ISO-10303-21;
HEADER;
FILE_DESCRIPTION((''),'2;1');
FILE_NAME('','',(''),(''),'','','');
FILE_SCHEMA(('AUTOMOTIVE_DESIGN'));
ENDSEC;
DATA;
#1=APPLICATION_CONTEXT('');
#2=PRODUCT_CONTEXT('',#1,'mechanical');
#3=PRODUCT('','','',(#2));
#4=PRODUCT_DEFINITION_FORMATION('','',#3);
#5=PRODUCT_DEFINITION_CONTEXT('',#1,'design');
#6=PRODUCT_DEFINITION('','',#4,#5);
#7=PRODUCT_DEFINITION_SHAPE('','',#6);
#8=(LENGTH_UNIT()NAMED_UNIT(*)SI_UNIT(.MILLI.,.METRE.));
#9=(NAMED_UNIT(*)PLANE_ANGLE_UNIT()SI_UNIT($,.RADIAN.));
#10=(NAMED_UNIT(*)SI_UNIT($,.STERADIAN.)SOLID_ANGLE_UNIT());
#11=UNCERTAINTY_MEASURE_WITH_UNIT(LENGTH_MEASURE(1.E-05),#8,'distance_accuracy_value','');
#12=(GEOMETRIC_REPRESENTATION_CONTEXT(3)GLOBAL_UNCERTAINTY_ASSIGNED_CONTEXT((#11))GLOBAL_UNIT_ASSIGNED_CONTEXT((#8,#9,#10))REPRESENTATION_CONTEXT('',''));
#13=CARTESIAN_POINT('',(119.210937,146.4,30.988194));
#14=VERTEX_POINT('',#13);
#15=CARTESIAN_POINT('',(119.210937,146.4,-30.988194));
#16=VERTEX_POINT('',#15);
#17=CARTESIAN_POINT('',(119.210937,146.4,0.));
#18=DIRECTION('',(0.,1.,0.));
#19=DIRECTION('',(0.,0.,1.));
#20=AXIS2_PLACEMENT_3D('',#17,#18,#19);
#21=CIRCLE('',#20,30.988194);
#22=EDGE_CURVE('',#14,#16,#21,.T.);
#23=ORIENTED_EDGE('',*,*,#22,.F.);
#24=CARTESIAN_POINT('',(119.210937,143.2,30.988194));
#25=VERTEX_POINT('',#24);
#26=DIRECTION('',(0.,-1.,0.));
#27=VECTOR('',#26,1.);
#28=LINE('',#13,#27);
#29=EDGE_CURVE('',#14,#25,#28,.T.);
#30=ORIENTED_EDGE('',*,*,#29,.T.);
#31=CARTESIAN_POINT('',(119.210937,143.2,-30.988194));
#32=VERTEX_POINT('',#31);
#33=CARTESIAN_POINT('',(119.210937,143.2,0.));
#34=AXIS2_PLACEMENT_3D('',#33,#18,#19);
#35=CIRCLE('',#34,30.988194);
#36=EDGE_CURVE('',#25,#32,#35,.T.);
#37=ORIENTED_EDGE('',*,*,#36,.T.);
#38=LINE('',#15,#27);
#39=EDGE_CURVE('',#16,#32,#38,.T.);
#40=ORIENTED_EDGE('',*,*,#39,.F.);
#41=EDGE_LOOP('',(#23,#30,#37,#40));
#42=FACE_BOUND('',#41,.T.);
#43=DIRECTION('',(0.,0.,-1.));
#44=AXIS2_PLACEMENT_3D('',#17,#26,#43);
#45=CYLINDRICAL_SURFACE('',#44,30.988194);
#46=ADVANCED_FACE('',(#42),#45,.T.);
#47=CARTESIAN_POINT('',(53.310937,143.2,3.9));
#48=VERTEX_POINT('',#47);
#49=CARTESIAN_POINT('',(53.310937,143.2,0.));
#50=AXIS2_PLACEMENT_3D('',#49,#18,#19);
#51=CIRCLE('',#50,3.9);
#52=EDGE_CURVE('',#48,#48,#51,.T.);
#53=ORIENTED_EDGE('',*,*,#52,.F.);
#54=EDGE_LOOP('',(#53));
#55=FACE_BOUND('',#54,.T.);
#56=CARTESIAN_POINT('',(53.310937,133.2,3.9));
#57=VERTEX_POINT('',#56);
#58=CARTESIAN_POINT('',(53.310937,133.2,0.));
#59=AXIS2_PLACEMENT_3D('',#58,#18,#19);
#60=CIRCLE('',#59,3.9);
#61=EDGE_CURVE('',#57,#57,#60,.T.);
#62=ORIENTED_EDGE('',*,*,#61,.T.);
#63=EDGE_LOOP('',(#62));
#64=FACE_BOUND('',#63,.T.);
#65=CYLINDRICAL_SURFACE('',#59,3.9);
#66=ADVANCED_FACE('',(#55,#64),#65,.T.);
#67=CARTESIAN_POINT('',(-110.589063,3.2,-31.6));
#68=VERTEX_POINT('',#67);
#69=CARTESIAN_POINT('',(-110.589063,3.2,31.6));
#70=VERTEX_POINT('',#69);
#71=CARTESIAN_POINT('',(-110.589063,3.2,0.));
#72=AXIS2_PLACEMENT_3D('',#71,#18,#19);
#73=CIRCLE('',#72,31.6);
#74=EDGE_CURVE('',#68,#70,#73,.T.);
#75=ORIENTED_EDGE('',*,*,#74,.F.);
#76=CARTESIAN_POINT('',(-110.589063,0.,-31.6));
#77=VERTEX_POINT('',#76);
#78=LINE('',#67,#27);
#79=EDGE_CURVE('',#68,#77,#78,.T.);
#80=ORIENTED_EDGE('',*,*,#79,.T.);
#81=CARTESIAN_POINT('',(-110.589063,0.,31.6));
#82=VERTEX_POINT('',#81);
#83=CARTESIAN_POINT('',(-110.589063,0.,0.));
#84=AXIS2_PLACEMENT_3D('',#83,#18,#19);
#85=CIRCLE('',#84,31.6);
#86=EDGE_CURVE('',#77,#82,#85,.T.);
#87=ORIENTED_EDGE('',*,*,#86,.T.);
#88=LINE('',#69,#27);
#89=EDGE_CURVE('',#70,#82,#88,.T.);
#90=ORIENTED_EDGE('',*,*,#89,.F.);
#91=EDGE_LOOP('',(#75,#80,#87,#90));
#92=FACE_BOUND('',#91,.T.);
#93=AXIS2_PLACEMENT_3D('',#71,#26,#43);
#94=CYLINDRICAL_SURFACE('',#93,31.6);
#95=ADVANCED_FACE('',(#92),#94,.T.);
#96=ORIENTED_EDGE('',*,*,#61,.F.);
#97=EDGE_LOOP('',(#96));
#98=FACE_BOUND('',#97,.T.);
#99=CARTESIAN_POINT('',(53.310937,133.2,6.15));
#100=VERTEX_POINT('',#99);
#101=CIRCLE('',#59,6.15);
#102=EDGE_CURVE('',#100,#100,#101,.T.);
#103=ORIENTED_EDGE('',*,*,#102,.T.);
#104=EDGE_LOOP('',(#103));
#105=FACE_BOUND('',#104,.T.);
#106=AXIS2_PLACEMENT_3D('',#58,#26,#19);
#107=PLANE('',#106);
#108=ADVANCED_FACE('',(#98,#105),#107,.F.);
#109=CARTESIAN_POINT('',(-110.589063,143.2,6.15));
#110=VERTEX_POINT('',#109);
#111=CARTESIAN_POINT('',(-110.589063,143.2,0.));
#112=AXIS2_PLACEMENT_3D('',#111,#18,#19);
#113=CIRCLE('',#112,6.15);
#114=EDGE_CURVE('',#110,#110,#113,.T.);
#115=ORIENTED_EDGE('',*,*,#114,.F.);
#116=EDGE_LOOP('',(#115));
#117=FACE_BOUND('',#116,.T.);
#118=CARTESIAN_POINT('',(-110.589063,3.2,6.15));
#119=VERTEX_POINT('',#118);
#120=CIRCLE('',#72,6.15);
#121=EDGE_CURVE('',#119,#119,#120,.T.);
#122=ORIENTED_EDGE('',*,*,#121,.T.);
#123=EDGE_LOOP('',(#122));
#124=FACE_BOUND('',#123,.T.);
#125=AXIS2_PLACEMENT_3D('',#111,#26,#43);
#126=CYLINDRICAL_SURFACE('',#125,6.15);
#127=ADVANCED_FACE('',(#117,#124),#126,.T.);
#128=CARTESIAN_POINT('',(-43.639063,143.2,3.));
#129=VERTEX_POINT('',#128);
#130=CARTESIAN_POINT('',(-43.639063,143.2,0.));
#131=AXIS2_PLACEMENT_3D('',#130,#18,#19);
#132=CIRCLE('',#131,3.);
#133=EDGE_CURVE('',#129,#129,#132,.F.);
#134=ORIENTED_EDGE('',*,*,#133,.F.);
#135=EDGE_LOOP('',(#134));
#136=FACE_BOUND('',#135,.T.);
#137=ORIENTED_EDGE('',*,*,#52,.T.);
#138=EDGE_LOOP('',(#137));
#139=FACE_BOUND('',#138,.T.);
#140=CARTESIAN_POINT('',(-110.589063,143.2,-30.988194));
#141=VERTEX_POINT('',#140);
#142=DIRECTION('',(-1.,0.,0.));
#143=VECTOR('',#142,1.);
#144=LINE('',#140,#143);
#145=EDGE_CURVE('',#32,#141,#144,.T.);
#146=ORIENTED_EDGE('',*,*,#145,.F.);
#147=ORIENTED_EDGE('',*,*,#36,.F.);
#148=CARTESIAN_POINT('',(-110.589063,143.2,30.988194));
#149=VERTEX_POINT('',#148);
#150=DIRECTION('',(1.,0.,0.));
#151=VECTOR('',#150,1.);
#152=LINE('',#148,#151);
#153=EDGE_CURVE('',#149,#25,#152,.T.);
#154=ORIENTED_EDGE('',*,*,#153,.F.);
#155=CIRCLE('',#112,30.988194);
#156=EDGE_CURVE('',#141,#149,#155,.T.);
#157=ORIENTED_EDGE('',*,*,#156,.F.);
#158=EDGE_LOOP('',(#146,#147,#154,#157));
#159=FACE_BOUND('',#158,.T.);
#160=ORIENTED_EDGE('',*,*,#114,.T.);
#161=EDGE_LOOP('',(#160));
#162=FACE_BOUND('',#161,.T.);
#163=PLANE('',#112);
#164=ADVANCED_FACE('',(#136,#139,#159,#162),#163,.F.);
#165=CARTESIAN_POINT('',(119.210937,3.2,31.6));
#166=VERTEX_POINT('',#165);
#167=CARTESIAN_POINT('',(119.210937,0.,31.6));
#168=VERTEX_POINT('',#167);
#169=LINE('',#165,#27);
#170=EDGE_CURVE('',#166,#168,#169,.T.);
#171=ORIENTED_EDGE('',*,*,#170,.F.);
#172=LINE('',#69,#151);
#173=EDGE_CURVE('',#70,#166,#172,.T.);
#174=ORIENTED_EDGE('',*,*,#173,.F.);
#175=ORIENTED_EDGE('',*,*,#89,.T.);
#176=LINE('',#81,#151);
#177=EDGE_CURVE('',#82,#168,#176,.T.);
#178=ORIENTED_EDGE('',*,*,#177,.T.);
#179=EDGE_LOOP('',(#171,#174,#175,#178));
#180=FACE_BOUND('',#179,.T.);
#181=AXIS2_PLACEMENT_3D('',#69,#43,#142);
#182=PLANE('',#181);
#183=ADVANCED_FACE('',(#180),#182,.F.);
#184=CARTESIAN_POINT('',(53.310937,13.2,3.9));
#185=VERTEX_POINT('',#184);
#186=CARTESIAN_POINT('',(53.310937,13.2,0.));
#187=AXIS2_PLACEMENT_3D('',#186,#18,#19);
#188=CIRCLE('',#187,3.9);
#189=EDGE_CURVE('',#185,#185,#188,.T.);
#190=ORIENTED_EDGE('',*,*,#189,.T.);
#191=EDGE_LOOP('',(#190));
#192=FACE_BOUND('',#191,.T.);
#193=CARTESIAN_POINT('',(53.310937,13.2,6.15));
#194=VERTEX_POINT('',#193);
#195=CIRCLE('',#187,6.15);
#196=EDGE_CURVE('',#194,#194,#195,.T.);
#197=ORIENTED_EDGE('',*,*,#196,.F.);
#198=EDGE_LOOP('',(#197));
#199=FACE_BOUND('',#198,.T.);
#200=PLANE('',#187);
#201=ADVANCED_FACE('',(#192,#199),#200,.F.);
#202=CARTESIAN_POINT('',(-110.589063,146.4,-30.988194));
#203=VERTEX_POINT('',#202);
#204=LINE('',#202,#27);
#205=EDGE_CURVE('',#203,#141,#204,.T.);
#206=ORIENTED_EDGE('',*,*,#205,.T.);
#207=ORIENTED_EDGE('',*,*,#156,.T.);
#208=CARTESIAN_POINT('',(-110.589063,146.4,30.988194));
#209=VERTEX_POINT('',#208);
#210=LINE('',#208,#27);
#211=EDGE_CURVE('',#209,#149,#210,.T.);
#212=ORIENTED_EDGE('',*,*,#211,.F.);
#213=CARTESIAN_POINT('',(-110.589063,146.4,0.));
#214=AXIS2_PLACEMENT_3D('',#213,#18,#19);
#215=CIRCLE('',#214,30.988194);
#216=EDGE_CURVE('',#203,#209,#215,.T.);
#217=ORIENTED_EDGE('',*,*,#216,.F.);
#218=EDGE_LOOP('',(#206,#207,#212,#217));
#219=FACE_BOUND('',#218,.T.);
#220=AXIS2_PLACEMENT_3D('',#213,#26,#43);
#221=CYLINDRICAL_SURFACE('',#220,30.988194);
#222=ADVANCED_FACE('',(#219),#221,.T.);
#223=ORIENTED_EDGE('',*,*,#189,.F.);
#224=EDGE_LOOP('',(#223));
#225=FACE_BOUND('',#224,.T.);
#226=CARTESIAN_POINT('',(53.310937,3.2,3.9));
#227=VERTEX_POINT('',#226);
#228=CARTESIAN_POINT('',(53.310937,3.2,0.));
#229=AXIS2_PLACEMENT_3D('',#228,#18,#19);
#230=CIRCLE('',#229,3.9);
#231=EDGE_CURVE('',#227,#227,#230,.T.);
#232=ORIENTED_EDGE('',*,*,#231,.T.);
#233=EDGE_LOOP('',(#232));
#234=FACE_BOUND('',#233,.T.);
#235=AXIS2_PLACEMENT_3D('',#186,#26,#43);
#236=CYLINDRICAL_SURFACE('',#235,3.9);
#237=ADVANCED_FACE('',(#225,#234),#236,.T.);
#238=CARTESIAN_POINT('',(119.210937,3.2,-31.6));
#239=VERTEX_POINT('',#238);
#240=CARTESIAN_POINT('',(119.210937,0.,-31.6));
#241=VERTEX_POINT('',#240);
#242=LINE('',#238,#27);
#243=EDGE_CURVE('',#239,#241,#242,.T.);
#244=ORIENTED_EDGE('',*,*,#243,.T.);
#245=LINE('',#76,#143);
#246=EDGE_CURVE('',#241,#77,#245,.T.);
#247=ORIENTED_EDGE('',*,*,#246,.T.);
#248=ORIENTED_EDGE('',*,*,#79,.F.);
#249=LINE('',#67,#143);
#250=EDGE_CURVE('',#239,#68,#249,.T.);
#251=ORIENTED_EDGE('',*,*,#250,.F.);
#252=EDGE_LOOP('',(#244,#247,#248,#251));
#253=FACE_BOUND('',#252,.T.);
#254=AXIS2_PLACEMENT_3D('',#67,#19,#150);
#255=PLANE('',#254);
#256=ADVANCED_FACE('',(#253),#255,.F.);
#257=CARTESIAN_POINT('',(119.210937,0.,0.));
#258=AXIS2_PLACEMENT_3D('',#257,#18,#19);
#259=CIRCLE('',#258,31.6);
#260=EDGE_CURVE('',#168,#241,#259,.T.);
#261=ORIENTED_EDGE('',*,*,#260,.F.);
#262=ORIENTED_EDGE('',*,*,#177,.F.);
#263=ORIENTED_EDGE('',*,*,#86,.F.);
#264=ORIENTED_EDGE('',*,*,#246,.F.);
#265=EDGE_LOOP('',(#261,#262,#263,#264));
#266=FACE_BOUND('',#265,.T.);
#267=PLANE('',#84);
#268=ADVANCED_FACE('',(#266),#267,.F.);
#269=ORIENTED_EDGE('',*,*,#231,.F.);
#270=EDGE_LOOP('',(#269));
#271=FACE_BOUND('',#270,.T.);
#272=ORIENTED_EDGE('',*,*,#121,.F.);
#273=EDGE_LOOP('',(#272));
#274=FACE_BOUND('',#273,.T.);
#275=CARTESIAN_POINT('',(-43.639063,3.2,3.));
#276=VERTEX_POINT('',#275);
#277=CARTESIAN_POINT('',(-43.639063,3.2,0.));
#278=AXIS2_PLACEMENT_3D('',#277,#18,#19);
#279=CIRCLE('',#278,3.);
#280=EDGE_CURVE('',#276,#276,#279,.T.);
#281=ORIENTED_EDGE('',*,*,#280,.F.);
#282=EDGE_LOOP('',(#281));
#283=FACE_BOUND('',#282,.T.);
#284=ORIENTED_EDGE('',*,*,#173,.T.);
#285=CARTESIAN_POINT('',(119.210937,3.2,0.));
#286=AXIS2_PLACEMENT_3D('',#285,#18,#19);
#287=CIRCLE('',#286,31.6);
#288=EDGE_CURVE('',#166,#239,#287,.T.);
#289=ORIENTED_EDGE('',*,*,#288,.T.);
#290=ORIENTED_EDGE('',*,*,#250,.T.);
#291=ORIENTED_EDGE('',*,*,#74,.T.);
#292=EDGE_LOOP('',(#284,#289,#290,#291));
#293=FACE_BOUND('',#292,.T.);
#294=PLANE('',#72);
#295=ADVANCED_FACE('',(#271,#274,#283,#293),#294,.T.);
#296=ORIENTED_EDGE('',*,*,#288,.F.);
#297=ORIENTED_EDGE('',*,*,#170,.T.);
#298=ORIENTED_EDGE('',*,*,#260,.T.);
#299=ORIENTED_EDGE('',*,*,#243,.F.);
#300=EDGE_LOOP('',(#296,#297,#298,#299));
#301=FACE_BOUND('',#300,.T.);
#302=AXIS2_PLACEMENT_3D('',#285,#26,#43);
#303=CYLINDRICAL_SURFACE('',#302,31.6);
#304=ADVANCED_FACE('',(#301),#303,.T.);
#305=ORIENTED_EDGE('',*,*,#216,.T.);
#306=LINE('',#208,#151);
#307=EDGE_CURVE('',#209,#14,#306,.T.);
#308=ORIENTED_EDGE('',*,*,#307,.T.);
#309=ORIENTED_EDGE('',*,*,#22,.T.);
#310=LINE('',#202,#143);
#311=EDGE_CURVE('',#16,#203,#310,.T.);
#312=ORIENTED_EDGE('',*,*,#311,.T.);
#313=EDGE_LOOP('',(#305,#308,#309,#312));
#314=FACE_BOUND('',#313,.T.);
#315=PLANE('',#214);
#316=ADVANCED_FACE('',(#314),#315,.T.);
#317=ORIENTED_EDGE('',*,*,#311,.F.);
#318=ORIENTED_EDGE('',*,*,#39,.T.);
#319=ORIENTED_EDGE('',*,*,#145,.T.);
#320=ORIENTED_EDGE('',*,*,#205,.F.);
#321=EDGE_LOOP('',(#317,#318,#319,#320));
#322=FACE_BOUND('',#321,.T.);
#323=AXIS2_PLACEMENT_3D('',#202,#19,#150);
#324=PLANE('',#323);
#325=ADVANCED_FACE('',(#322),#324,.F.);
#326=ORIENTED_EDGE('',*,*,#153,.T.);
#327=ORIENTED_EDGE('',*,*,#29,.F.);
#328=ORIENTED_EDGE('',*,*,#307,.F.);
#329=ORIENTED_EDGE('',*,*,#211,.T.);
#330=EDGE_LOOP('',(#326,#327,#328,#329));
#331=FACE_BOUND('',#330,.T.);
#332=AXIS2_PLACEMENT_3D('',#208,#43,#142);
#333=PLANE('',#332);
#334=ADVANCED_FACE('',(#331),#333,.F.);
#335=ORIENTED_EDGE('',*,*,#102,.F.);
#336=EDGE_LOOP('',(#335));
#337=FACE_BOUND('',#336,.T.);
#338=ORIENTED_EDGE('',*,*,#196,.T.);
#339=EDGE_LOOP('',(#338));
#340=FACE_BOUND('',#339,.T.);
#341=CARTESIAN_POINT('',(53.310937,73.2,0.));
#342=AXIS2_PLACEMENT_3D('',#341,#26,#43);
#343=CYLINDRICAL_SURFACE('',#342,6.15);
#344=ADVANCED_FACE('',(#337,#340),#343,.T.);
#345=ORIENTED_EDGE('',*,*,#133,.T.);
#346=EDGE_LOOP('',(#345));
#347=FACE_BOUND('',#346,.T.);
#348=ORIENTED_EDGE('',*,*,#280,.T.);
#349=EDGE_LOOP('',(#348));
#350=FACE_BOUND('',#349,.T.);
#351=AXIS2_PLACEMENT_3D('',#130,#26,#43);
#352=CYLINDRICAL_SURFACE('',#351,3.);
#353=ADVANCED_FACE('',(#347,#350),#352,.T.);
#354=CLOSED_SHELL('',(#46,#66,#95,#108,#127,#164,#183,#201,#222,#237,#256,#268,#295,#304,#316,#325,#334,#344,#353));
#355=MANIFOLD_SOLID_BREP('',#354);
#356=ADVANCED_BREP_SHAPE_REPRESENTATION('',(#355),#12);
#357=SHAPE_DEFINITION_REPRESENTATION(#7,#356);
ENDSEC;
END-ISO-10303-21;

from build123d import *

# Parameters (mm, degrees)
BOSS_EXTRUDE1_DEPTH = 3.2
SKETCH8_R           = 6.15
BOSS_EXTRUDE5_DEPTH = 140
BOSS_EXTRUDE6_DEPTH = 3.2
SKETCH12_R          = 3
BOSS_EXTRUDE7_DEPTH = 140
SKETCH14_R          = 3.9
BOSS_EXTRUDE8_DEPTH = 10
SKETCH15_R          = 6.15
BOSS_EXTRUDE9_DEPTH = 60


with BuildPart() as part:
    # Sketch1 → Boss-Extrude1 (new body)
    with BuildSketch(Plane(origin=(0, 0, 0), x_dir=(1, 0, 0), z_dir=(0, 1, 0))):
        with BuildLine():
            Line((-110.589063221, 31.6), (119.210936779, 31.6))
            ThreePointArc((119.210936779, 31.6), (150.810936779, 0), (119.210936779, -31.6))
            Line((119.210936779, -31.6), (-110.589063221, -31.6))
            ThreePointArc((-110.589063221, -31.6), (-142.189063221, 0), (-110.589063221, 31.6))
        make_face()
    extrude(amount=BOSS_EXTRUDE1_DEPTH)

    # Sketch8 → Boss-Extrude5 (add)
    with BuildSketch(Plane(origin=(0, 3.2, 0), x_dir=(1, 0, 0), z_dir=(0, 1, 0))):
        with Locations(Location((-110.589063221, 0, 0), (0, 0, 270))):
            Circle(SKETCH8_R)
    extrude(amount=BOSS_EXTRUDE5_DEPTH)

    # Sketch11 → Boss-Extrude6 (add)
    with BuildSketch(Plane(origin=(0, 143.2, 0), x_dir=(1, 0, 0), z_dir=(0, 1, 0))):
        with BuildLine():
            Line((-110.589063221, 30.988193708), (119.210936779, 30.988193708))
            ThreePointArc((119.210936779, 30.988193708), (150.199130487, 0), (119.210936779, -30.988193708))
            Line((119.210936779, -30.988193708), (-110.589063221, -30.988193708))
            ThreePointArc((-110.589063221, -30.988193708), (-141.577256929, 0), (-110.589063221, 30.988193708))
        make_face()
    extrude(amount=BOSS_EXTRUDE6_DEPTH)

    # Sketch12 → Boss-Extrude7 (add)
    with BuildSketch(Plane(origin=(0, 3.2, 0), x_dir=(1, 0, 0), z_dir=(0, 1, 0))):
        with Locations(Location((-43.639063221, 0, 0), (0, 0, 270))):
            Circle(SKETCH12_R)
    extrude(amount=BOSS_EXTRUDE7_DEPTH)

    # Sketch14 → Boss-Extrude8 (add)
    with BuildSketch(Plane(origin=(0, 3.2, 0), x_dir=(1, 0, 0), z_dir=(0, 1, 0))):
        with Locations(Location((53.310936779, 0, 0), (0, 0, 270))):
            Circle(SKETCH14_R)
    boss_extrude8 = extrude(amount=BOSS_EXTRUDE8_DEPTH)

    # Sketch15 → Boss-Extrude9 (add)
    with BuildSketch(Plane(origin=(0, 13.2, 0), x_dir=(1, 0, 0), z_dir=(0, 1, 0))):
        with Locations(Location((53.310936779, 0, 0), (0, 0, 270))):
            Circle(SKETCH15_R)
    boss_extrude9 = extrude(amount=BOSS_EXTRUDE9_DEPTH)

    # Mirror7: Boss-Extrude8, Boss-Extrude9 across plane
    add(boss_extrude8.mirror(Plane.ZX.offset(73.2)))
    add(boss_extrude9.mirror(Plane.ZX.offset(73.2)))


solid = part.part
